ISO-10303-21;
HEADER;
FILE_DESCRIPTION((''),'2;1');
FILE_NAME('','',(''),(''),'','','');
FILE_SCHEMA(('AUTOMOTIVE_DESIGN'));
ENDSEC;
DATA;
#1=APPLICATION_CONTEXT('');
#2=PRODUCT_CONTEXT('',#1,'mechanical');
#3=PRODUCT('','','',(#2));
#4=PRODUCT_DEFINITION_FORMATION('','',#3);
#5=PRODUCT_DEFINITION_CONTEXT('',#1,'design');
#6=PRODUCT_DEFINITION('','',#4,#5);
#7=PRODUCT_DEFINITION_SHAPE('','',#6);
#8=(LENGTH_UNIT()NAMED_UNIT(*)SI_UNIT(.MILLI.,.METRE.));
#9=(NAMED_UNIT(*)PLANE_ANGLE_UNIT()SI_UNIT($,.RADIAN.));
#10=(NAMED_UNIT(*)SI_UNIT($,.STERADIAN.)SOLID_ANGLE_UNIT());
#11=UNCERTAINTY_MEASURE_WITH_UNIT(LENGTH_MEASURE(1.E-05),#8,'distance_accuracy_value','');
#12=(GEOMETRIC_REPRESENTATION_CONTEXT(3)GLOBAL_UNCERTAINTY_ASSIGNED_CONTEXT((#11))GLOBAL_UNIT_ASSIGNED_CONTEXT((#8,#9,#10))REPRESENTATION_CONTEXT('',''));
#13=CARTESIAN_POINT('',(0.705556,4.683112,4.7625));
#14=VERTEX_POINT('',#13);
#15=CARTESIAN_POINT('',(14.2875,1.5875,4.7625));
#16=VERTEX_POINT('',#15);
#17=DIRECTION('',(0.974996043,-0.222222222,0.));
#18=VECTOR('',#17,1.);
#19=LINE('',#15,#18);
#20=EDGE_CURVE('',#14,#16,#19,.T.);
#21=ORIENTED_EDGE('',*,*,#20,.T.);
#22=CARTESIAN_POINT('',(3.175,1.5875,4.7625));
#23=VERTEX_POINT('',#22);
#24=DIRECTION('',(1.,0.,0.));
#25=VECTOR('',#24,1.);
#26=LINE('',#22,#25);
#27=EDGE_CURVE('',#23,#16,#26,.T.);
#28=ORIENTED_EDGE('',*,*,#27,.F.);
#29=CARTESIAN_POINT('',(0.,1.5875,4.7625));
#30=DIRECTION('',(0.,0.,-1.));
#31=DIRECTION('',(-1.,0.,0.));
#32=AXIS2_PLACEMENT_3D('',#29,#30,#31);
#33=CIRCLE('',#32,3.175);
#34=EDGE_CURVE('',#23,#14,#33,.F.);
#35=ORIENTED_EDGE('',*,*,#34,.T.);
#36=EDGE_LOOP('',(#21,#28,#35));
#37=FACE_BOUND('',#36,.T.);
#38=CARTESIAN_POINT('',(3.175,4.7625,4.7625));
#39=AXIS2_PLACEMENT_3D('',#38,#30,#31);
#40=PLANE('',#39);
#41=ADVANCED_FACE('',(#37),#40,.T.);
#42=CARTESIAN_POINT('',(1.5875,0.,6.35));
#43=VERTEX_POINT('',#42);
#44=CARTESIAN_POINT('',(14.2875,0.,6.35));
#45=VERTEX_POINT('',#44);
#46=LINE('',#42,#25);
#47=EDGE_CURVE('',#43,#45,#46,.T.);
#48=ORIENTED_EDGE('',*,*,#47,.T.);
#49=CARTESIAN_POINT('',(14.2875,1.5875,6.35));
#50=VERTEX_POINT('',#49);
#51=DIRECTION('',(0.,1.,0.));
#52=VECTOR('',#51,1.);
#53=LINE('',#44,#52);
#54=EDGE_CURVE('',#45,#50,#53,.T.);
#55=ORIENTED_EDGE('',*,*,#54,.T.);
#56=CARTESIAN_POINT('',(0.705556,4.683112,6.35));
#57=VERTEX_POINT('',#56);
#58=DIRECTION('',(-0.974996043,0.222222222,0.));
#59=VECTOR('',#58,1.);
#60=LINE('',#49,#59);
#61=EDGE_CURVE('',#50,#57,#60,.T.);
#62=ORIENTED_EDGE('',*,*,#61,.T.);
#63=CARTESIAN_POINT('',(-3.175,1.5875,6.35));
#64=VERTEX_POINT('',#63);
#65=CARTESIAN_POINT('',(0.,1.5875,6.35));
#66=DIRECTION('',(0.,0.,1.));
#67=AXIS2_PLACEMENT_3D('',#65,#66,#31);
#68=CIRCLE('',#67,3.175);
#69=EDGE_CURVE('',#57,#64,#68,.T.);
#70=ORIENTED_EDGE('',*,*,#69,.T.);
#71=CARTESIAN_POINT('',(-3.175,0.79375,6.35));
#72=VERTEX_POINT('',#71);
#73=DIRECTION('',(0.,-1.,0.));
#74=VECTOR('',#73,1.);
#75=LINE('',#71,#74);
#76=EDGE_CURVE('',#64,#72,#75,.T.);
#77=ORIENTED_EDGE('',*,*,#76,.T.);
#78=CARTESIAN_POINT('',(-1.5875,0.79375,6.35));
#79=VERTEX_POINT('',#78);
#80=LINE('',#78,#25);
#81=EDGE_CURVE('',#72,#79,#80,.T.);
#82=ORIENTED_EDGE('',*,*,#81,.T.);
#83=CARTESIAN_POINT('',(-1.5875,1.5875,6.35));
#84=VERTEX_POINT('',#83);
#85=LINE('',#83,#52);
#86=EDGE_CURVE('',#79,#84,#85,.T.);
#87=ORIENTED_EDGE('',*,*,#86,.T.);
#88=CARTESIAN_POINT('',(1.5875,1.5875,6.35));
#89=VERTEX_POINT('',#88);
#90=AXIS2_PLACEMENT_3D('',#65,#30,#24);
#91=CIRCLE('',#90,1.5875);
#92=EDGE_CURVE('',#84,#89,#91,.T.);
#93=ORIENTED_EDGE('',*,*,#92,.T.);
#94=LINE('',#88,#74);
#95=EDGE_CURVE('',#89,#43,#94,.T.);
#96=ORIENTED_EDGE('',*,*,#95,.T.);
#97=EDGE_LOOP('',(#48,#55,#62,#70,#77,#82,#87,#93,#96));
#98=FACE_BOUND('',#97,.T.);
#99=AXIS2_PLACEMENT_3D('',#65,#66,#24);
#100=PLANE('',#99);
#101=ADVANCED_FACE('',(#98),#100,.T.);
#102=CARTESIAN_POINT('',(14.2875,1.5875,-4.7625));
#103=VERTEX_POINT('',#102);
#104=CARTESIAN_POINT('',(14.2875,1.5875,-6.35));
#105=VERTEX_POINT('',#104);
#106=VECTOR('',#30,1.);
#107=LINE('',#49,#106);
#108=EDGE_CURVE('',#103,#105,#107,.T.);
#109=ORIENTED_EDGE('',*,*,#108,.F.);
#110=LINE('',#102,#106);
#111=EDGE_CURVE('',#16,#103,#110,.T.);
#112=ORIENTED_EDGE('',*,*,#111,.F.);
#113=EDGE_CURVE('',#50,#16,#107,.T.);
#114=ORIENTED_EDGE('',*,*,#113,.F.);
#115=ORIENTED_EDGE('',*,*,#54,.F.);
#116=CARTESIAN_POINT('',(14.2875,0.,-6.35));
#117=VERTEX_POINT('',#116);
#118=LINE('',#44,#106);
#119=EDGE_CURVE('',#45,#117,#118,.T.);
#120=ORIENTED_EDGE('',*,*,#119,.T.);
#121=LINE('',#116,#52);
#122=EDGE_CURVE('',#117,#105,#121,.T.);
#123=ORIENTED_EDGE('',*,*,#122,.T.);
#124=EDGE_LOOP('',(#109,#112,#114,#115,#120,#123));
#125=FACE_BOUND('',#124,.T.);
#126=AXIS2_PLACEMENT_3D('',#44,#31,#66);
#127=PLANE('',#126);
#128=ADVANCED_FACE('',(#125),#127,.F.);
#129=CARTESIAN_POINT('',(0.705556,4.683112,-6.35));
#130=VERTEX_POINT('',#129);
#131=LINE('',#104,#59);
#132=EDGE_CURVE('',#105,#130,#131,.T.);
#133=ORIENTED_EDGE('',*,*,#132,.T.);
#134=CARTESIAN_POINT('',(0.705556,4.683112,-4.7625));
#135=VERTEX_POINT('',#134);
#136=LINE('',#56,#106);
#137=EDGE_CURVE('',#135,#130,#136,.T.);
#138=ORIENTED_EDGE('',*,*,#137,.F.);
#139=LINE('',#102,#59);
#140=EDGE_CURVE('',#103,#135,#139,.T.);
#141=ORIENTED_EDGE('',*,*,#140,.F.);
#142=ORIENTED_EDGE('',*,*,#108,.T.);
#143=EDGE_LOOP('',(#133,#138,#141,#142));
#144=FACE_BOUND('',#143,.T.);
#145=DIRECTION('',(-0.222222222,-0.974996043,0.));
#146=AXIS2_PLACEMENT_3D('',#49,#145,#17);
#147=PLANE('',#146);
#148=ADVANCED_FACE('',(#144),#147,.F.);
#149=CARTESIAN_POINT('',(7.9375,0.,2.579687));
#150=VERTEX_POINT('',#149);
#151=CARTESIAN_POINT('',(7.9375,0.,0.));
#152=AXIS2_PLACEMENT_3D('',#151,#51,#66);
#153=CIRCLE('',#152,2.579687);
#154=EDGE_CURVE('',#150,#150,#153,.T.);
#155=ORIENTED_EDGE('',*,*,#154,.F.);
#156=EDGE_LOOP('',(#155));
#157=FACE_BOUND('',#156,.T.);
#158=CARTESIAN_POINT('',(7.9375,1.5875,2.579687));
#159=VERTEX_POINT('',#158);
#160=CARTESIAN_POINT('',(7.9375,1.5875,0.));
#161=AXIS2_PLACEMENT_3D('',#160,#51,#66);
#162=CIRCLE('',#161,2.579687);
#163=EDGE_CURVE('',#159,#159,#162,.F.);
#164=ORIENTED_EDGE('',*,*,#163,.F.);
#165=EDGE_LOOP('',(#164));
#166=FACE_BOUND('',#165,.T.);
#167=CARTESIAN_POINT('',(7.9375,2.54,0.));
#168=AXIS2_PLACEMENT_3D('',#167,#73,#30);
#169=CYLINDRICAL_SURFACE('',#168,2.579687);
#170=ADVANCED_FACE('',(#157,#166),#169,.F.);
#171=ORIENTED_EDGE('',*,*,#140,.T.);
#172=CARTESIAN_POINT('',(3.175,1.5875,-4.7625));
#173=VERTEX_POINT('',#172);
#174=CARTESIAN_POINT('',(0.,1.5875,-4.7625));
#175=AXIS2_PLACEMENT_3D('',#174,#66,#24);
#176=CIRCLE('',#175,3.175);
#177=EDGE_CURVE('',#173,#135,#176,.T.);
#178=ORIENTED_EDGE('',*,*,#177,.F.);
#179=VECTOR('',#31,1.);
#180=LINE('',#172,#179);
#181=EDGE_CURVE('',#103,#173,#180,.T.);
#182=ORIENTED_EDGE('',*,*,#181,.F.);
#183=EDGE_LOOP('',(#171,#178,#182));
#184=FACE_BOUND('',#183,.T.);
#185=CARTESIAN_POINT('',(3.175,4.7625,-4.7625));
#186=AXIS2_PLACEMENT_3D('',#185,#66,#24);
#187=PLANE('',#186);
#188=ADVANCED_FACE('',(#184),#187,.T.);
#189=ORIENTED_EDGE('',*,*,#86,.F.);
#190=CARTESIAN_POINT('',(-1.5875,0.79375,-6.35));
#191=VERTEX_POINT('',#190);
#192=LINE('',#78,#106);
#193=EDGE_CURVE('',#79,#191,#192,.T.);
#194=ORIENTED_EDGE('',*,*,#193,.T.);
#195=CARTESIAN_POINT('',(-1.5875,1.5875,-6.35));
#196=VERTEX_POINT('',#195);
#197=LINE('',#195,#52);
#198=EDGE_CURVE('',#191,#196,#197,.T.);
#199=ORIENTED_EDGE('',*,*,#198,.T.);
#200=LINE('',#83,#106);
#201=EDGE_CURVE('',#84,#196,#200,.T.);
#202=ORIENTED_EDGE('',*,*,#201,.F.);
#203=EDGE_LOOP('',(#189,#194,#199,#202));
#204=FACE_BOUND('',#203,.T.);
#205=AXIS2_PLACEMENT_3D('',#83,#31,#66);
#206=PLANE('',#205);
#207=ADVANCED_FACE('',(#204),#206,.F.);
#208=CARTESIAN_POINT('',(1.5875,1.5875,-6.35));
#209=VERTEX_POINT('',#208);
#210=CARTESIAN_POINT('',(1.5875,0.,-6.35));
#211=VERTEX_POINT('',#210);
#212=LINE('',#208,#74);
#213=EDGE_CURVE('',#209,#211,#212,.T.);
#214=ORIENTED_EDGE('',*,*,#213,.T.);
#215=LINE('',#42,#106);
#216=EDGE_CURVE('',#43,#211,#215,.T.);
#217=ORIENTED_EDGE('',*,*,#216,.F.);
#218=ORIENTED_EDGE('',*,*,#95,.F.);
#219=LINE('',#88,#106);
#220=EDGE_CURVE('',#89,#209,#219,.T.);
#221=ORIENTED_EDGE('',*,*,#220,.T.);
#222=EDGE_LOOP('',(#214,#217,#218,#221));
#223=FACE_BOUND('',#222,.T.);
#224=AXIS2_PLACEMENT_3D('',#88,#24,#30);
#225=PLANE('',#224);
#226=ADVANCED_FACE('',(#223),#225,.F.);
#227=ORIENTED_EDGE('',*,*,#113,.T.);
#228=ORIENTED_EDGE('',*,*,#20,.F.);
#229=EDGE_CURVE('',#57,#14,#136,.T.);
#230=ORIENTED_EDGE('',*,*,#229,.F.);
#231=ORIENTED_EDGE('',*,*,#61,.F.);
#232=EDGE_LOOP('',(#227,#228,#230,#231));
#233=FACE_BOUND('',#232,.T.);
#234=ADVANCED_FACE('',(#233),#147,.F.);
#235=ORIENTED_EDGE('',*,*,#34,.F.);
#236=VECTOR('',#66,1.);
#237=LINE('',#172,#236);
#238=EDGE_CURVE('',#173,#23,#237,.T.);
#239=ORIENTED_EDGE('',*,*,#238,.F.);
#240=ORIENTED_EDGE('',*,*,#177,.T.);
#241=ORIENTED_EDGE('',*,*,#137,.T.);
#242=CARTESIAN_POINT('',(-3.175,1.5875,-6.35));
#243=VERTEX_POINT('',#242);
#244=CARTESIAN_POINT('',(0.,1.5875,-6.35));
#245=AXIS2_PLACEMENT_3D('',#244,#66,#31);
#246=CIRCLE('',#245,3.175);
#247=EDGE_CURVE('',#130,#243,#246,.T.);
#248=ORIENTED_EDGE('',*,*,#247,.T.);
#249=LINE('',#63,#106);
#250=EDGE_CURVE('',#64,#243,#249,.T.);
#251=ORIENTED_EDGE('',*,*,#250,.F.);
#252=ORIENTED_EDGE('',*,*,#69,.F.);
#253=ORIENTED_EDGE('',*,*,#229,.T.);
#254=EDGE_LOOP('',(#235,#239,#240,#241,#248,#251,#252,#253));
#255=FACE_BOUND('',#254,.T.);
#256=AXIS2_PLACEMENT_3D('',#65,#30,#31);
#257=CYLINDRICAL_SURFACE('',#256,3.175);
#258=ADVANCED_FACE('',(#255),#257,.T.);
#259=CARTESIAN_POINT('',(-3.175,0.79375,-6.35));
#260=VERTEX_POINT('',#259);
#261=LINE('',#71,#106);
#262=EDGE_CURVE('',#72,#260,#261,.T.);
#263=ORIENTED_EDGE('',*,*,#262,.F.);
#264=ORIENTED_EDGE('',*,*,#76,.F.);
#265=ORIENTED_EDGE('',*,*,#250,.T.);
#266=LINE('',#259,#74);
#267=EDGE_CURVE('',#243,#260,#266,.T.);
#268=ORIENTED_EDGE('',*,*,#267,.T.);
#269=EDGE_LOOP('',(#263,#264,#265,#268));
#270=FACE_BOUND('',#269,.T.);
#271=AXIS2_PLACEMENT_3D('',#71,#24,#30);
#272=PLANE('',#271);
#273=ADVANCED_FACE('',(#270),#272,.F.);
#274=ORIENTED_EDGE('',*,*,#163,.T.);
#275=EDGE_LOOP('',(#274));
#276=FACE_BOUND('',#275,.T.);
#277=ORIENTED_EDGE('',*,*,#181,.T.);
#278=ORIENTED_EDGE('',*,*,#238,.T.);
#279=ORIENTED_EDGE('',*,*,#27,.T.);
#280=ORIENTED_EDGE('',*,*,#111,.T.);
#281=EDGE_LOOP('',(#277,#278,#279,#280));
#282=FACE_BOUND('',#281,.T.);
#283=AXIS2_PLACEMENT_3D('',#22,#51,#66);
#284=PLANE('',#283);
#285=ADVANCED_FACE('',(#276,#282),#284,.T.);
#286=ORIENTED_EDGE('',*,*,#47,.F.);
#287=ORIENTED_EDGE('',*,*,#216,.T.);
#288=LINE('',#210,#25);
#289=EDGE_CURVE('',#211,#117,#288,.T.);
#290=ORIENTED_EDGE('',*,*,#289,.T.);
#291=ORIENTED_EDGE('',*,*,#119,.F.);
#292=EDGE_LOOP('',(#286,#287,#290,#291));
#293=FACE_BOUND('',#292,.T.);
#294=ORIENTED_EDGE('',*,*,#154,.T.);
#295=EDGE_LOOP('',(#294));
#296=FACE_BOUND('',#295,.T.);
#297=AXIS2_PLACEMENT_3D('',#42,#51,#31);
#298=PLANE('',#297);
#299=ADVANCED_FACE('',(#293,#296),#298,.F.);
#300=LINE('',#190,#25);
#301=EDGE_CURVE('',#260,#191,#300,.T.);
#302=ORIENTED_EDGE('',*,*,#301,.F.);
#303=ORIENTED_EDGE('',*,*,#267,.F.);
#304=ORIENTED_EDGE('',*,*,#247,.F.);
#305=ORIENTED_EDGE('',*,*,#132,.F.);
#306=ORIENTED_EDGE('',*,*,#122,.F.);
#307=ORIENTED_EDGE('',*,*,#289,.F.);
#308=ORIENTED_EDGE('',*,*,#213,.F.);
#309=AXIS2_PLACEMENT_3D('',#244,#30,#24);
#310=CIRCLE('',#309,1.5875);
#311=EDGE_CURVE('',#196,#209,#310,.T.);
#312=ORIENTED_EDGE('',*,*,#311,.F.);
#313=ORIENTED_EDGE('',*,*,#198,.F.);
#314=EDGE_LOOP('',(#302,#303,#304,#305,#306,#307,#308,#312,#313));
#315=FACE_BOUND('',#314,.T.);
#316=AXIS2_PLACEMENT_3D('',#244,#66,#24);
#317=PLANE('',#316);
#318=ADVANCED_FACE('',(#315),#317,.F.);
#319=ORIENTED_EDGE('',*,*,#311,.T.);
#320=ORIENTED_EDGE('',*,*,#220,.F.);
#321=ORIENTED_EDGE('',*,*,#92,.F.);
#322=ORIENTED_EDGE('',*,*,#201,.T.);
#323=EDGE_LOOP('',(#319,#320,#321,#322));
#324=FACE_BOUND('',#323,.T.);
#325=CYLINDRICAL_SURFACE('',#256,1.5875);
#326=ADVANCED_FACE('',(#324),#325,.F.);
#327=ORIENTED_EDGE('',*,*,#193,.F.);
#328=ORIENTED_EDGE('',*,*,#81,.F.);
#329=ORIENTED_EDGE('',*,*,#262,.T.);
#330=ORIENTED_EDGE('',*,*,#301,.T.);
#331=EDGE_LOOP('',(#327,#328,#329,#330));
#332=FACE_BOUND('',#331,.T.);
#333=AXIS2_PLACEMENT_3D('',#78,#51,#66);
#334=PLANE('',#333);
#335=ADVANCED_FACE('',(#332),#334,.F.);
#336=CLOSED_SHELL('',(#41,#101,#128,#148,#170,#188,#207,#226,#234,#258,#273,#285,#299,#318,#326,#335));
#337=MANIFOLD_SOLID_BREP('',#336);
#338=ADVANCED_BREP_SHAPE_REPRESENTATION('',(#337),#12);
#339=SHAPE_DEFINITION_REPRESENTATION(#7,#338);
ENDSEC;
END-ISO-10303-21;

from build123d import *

# Parameters (mm, degrees)
BOSS_EXTRUDE1_DEPTH            = 6.35
CUT_EXTRUDE3_START             = 1.5875
SKETCH4_W                      = 11.1125
SKETCH4_H                      = 9.525
CUT_EXTRUDE3_DEPTH             = 4.175
CUT_EXTRUDE4_REACH             = 8.35
CUT_EXTRUDE4_DIRECTION_2_REACH = 8.35
SKETCH3_R                      = 2.579687
CUT_EXTRUDE2_DEPTH             = 2.54


with BuildPart() as part:
    # Sketch1 → Boss-Extrude1 (new body, symmetric)
    with BuildSketch(Plane.XY):
        with BuildLine():
            Line((-3.175, 0.79375), (-3.175, 1.5875))
            ThreePointArc((-3.175, 1.5875), (-1.97996, 4.069512), (0.705556, 4.683112))
            Line((0.705556, 4.683112), (14.2875, 1.5875))
            Line((14.2875, 1.5875), (14.2875, 0))
            Line((14.2875, 0), (1.5875, 0))
            Line((1.5875, 0), (1.5875, 1.5875))
            ThreePointArc((1.5875, 1.5875), (0, 3.175), (-1.5875, 1.5875))
            Line((-1.5875, 1.5875), (-1.5875, 0.79375))
            Line((-1.5875, 0.79375), (-3.175, 0.79375))
        make_face()
    extrude(amount=BOSS_EXTRUDE1_DEPTH, both=True)

    # Sketch4 → Cut-Extrude3 (cut, through all)
    with BuildSketch(Plane(origin=(0, 0, 0), x_dir=(1, 0, 0), z_dir=(0, 1, 0)).offset(CUT_EXTRUDE3_START)):
        with Locations((8.73125, 0)):
            Rectangle(SKETCH4_W, SKETCH4_H)
    extrude(amount=CUT_EXTRUDE3_DEPTH, mode=Mode.SUBTRACT)

    # Cut-Extrude4: up to this face of the body (flat: up to its plane)
    cut_extrude4_end = Plane(part.part.faces().sort_by_distance((6.879167, 2.431758, 4.7625))[0])
    # Sketch5 → Cut-Extrude4 (cut, up to the picked face)
    with BuildSketch(Plane.XY, mode=Mode.PRIVATE) as cut_extrude4_sk1:
        with BuildLine():
            Line((3.175, 1.5875), (3.175, 4.120274))
            Line((3.175, 4.120274), (0.705556, 4.683112))
            ThreePointArc((0.705556, 4.683112), (2.482012, 3.56746), (3.175, 1.5875))
        make_face()
    cut_extrude4_tool1 = split(extrude(cut_extrude4_sk1.sketch, amount=CUT_EXTRUDE4_REACH, mode=Mode.PRIVATE), bisect_by=cut_extrude4_end, keep=Keep.BOTH, mode=Mode.PRIVATE)
    add(cut_extrude4_tool1.solids().sort_by_distance((2.639834, 3.693359, 0))[0], mode=Mode.SUBTRACT)

    # Cut-Extrude4 direction 2: up to this face of the body (flat: up to its plane)
    cut_extrude4_direction_2_end = Plane(part.part.faces().sort_by_distance((6.879167, 2.431758, -4.7625))[0])
    # Sketch5 → Cut-Extrude4 direction 2 (cut, up to the picked face)
    with BuildSketch(Plane.XY, mode=Mode.PRIVATE) as cut_extrude4_direction_2_sk1:
        with BuildLine():
            Line((3.175, 1.5875), (3.175, 4.120274))
            Line((3.175, 4.120274), (0.705556, 4.683112))
            ThreePointArc((0.705556, 4.683112), (2.482012, 3.56746), (3.175, 1.5875))
        make_face()
    cut_extrude4_direction_2_tool1 = split(extrude(cut_extrude4_direction_2_sk1.sketch, amount=-CUT_EXTRUDE4_DIRECTION_2_REACH, mode=Mode.PRIVATE), bisect_by=cut_extrude4_direction_2_end, keep=Keep.BOTH, mode=Mode.PRIVATE)
    add(cut_extrude4_direction_2_tool1.solids().sort_by_distance((2.639834, 3.693359, 0))[0], mode=Mode.SUBTRACT)

    # Sketch3 → Cut-Extrude2 (cut)
    with BuildSketch(Plane(origin=(0, 0, 0), x_dir=(1, 0, 0), z_dir=(0, 1, 0))):
        with Locations((7.9375, 0)):
            Circle(SKETCH3_R)
    extrude(amount=CUT_EXTRUDE2_DEPTH, mode=Mode.SUBTRACT)


solid = part.part
